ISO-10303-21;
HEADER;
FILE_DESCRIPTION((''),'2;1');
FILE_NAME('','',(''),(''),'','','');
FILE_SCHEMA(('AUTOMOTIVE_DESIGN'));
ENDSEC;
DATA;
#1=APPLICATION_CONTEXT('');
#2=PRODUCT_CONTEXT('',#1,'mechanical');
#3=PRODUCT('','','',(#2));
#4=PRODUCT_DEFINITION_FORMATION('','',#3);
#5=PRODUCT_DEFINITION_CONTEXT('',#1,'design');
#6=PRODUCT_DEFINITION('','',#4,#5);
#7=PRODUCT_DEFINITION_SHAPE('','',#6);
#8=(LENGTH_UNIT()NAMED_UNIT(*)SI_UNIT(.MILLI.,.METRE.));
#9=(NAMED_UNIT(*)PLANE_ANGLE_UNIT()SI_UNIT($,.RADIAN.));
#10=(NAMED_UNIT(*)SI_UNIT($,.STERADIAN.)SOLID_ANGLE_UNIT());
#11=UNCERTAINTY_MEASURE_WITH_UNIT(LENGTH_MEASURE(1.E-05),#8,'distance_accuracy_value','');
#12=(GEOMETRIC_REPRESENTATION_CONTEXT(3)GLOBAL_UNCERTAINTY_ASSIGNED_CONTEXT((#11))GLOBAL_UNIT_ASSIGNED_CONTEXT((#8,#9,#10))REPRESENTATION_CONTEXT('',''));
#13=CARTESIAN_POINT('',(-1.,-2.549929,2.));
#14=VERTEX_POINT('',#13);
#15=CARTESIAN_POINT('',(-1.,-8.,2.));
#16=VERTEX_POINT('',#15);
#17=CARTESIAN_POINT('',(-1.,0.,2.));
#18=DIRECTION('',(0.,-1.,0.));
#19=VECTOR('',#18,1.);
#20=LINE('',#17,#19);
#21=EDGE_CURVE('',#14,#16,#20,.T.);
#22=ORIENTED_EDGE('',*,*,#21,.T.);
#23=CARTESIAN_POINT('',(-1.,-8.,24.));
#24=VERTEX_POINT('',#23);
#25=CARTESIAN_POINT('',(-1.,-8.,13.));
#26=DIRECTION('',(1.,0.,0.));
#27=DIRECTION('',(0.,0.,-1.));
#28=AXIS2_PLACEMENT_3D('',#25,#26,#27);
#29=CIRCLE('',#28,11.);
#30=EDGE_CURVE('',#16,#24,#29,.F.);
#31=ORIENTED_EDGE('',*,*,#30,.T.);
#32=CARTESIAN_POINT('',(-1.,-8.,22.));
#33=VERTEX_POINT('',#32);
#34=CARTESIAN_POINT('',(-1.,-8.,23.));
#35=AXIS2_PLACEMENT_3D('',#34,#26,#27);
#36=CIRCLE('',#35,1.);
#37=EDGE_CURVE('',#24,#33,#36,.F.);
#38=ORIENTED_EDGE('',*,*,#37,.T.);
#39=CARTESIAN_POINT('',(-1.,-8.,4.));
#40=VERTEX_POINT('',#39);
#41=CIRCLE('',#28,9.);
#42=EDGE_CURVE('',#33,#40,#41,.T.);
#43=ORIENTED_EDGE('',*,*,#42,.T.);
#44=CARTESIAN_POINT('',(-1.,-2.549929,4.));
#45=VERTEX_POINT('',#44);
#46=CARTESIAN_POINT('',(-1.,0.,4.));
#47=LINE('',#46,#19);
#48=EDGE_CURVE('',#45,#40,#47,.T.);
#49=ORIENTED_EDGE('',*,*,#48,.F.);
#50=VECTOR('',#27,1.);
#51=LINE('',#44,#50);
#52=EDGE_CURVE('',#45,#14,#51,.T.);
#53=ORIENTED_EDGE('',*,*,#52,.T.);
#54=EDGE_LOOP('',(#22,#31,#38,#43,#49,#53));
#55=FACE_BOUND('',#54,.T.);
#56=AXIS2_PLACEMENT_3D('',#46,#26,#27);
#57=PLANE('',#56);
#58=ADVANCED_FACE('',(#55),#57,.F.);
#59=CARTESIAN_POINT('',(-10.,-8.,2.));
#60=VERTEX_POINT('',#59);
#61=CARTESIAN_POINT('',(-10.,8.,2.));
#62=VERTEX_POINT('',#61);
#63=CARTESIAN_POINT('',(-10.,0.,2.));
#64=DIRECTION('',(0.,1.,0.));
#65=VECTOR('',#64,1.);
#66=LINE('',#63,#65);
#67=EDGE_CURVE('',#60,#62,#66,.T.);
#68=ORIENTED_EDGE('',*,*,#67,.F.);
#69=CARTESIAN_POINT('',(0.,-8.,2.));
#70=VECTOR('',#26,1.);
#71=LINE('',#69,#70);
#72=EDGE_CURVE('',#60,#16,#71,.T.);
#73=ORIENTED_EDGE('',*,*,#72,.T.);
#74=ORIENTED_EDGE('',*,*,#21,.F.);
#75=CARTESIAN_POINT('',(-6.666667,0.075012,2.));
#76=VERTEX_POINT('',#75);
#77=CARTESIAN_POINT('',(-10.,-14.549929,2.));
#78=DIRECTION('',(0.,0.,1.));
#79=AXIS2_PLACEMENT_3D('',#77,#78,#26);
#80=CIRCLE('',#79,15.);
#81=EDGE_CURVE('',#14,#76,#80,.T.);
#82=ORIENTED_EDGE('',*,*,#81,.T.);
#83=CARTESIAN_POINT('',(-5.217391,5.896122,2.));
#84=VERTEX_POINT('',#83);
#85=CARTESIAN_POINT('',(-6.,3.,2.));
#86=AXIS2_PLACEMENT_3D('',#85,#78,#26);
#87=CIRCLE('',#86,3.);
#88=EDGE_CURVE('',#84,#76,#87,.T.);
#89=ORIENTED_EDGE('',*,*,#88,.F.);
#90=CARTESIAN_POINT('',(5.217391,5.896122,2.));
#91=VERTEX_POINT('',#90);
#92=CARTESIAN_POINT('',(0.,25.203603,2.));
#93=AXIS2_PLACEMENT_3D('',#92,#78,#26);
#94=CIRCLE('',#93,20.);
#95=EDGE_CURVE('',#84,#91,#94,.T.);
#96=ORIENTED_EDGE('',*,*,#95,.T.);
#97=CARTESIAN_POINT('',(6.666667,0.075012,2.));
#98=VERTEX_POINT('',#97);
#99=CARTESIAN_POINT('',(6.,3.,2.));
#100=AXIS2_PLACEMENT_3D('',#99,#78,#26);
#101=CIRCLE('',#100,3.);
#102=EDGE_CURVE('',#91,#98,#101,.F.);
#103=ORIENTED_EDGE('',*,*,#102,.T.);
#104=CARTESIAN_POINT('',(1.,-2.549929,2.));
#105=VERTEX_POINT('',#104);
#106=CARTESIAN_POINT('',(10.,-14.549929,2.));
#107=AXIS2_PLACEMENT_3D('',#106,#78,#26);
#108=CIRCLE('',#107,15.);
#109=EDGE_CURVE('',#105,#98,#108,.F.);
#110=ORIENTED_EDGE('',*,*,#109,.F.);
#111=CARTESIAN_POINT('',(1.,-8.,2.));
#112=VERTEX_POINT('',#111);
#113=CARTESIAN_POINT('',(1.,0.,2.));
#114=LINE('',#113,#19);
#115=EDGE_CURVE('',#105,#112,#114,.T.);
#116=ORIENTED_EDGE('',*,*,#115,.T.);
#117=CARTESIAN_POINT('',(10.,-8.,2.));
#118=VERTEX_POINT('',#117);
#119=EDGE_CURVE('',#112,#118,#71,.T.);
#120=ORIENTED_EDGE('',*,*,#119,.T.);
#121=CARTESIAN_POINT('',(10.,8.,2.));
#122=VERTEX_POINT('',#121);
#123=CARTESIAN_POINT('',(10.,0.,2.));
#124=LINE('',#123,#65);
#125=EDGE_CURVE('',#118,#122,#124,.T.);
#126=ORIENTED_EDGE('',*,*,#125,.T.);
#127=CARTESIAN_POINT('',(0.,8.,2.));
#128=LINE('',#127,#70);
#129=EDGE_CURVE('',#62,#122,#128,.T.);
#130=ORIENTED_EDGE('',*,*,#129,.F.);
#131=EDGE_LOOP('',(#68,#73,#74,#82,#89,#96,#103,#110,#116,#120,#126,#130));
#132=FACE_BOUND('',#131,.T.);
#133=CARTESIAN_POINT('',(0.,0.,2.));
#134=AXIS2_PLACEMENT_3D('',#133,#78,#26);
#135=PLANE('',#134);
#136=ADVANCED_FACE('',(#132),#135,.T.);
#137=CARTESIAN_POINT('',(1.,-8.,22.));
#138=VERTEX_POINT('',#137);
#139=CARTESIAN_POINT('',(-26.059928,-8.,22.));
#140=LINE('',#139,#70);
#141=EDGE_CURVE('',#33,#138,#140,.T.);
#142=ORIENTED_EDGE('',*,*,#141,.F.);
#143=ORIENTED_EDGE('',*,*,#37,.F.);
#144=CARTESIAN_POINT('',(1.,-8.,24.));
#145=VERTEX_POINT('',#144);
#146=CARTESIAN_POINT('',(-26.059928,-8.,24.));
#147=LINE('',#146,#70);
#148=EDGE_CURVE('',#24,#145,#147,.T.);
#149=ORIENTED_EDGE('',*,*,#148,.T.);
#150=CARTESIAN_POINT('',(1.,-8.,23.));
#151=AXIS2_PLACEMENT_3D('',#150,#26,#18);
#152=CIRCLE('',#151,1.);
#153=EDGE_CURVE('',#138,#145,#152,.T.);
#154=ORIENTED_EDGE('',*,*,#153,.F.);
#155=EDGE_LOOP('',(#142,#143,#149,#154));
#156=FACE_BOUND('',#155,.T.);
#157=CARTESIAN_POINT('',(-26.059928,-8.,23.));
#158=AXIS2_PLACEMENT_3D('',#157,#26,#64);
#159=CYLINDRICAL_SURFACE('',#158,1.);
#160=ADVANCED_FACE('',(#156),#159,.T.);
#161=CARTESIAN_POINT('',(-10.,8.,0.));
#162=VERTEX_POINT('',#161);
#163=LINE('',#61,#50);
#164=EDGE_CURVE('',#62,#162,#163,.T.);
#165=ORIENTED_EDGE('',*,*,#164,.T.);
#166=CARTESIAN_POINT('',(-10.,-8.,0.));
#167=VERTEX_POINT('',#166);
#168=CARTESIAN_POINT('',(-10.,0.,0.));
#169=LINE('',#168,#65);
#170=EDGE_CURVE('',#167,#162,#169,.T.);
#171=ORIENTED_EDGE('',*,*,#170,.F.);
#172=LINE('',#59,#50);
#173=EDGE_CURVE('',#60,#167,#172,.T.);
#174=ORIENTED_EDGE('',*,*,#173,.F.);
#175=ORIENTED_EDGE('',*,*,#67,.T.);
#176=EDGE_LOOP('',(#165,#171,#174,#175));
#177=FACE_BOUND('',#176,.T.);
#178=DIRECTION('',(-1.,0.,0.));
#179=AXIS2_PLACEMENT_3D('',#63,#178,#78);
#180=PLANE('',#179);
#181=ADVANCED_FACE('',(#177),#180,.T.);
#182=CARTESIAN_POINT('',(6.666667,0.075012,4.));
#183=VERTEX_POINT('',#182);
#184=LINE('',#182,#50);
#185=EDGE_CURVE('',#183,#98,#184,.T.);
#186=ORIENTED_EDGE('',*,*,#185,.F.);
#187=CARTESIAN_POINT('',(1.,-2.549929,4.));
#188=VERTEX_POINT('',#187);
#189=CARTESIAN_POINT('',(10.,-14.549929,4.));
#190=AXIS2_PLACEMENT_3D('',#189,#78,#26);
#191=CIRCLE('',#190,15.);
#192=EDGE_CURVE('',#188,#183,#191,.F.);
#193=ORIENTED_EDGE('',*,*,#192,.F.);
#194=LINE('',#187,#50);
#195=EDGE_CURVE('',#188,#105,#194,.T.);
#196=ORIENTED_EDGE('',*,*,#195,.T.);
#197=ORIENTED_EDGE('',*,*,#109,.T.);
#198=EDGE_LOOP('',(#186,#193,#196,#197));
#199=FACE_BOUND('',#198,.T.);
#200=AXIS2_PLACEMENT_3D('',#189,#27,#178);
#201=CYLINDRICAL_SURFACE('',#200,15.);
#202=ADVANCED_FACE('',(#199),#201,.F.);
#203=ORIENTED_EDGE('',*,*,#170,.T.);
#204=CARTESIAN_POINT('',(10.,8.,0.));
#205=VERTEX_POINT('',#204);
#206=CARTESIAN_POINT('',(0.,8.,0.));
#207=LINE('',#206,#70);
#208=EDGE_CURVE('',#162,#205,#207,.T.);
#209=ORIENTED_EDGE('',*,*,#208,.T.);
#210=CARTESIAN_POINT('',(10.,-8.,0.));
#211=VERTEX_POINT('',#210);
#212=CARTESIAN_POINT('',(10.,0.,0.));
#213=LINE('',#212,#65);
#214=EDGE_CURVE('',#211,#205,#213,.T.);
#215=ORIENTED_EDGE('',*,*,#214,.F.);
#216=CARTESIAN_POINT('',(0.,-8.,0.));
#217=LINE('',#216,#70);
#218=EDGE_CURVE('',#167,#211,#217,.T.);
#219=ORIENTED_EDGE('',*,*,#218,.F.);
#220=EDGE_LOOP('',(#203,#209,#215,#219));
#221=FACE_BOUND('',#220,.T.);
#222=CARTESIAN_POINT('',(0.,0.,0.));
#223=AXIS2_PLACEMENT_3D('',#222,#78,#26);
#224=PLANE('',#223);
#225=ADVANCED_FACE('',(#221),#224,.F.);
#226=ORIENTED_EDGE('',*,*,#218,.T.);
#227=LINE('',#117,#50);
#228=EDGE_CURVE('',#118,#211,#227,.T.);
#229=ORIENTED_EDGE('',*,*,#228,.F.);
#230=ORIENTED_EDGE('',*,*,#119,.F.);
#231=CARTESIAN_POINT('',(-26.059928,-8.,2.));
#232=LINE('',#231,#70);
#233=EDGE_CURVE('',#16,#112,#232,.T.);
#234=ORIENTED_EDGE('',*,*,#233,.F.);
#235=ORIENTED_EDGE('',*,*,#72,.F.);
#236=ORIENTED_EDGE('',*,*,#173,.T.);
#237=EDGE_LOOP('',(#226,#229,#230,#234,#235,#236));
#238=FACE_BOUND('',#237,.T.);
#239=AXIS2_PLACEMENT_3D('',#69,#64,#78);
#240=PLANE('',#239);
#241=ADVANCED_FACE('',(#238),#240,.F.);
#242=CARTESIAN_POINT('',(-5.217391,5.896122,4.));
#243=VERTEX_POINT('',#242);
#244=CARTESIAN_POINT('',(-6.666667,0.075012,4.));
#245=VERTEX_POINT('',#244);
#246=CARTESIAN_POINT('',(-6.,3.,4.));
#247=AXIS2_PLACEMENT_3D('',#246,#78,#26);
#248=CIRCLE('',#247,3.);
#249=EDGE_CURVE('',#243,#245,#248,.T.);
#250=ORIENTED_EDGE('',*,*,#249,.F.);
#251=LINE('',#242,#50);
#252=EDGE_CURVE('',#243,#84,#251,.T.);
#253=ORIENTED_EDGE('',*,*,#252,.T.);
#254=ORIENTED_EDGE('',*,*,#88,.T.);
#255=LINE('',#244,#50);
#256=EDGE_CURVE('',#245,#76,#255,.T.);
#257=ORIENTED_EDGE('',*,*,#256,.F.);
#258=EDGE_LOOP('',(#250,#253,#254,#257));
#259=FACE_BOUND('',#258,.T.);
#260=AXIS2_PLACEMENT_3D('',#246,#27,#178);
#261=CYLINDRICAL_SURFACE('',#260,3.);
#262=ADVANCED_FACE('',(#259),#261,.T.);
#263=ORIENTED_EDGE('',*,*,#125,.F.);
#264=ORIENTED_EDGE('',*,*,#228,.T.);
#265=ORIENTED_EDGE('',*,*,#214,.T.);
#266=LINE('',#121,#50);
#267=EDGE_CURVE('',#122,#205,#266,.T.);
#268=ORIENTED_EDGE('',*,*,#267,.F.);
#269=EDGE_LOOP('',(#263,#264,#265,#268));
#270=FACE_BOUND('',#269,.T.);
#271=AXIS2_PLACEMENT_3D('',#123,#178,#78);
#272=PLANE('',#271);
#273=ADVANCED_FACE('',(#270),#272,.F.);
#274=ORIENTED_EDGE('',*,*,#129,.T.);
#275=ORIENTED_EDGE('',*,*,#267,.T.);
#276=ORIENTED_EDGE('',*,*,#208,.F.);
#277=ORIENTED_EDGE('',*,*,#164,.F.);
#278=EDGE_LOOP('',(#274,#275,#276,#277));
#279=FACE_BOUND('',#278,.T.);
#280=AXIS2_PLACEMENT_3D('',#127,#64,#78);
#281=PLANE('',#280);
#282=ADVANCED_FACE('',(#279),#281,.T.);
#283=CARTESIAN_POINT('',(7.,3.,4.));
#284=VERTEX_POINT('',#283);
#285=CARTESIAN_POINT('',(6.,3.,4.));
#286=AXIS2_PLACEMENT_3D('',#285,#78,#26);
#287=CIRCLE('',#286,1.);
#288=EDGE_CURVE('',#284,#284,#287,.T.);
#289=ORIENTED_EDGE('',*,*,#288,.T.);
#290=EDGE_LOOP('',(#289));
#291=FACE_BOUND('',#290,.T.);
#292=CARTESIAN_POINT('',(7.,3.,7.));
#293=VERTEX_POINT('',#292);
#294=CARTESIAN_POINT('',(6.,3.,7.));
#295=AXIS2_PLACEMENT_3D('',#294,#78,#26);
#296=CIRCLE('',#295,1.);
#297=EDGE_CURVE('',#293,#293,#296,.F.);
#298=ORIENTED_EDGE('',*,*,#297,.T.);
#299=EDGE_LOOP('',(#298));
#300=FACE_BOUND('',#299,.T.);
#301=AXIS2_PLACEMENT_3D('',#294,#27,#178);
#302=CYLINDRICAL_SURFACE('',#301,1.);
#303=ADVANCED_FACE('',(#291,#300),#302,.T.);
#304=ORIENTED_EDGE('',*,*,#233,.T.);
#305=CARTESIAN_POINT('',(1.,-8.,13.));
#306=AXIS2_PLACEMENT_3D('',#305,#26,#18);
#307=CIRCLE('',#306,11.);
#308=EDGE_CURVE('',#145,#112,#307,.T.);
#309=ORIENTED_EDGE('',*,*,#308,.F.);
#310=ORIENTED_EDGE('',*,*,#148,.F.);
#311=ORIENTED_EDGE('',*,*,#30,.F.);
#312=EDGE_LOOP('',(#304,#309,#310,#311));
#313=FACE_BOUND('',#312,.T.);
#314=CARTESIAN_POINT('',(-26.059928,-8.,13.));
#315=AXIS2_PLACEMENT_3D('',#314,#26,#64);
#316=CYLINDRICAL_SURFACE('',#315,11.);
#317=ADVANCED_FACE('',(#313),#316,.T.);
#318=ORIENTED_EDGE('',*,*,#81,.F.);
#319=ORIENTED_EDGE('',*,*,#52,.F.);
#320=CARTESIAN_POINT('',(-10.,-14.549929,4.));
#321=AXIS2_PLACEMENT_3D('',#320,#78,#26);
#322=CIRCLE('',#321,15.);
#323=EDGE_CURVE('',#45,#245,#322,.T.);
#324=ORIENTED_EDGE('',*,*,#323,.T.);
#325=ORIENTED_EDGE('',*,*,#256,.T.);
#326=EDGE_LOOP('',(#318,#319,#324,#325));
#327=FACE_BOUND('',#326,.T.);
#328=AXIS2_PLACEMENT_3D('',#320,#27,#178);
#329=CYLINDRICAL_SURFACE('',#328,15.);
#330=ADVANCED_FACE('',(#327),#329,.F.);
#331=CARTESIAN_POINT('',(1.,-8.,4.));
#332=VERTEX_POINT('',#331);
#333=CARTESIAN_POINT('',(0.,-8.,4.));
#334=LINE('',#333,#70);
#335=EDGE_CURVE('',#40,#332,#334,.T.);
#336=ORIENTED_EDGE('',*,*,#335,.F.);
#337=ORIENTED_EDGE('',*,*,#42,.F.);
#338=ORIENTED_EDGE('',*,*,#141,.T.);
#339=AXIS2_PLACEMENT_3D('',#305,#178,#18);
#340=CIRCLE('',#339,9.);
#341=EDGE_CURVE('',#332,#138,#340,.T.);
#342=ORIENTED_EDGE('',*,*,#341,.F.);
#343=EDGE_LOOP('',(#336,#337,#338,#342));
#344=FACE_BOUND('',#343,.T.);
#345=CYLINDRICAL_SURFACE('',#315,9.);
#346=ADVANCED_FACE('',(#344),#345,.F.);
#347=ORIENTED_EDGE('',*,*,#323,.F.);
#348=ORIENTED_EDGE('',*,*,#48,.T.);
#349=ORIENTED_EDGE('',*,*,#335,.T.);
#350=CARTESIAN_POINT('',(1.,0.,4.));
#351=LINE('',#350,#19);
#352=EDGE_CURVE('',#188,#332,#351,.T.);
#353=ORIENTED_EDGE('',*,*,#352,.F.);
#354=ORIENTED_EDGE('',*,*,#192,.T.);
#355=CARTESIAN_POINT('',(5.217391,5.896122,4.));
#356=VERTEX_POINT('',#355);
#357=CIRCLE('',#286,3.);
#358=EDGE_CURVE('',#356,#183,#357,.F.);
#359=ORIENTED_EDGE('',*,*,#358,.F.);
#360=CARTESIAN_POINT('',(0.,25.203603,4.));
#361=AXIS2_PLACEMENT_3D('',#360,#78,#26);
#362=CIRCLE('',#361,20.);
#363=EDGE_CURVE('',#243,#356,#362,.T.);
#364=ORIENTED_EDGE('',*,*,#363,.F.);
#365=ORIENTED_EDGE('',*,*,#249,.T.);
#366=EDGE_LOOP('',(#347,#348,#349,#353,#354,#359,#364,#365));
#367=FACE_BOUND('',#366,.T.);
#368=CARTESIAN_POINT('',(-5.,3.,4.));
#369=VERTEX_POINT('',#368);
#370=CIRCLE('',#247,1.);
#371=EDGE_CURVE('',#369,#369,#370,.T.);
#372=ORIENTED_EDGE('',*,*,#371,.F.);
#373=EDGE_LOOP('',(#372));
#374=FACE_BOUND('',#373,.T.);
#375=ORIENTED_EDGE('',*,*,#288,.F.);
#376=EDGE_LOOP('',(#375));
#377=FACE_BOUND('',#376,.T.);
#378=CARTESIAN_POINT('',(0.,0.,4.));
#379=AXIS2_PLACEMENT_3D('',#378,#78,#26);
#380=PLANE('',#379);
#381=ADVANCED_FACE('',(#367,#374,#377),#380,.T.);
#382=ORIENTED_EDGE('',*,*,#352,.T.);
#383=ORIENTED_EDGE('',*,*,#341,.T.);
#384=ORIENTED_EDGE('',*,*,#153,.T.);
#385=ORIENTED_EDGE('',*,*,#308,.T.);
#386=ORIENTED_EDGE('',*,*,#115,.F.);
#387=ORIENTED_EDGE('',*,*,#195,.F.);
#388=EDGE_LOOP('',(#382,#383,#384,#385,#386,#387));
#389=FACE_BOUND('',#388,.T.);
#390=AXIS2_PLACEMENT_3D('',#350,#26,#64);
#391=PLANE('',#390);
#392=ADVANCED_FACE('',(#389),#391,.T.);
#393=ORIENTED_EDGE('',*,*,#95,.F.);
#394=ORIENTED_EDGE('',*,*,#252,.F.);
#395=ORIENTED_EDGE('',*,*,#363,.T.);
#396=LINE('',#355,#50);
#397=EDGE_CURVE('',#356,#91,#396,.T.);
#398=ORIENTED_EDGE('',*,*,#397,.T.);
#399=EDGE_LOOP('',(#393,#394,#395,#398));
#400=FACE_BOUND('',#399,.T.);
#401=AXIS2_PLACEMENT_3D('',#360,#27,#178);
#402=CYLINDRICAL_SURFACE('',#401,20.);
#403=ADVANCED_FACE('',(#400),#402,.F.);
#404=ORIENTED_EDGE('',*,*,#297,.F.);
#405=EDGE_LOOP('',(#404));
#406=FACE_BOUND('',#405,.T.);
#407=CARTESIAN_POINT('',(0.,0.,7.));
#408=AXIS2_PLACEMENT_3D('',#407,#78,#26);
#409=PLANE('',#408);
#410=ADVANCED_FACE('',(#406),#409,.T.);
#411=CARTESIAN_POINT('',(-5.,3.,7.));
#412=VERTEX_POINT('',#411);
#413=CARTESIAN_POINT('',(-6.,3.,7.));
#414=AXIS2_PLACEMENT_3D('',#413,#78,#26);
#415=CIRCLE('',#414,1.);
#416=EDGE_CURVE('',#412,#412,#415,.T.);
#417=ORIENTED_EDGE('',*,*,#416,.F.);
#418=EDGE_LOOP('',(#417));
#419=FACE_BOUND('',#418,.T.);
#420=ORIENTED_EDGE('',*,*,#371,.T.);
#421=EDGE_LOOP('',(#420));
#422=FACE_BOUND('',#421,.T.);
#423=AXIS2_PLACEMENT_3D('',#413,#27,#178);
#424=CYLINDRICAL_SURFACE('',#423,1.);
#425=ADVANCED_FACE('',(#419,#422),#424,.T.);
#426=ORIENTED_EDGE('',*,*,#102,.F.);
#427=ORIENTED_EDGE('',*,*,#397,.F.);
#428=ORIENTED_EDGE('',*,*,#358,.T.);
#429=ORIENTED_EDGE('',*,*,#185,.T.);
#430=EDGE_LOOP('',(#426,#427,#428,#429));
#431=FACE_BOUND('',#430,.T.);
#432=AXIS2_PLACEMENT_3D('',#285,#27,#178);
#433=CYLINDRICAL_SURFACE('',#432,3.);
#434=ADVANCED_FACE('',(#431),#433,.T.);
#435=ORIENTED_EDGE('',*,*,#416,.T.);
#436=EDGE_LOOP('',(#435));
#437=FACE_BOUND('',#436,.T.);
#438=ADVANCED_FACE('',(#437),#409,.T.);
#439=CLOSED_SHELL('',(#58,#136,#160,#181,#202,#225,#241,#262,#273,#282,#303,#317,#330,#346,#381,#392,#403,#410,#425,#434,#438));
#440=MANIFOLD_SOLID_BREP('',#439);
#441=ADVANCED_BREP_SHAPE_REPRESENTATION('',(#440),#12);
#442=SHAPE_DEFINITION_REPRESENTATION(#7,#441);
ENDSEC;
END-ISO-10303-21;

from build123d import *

# Parameters (mm, degrees)
BOSS_EXTRUDE1_DEPTH = 2
SKETCH1_4_R         = 1
BOSS_EXTRUDE2_DEPTH = 4
SKETCH1_6_R         = 1
BOSS_EXTRUDE3_DEPTH = 7
BOSS_EXTRUDE4_DEPTH = 2


with BuildPart() as part:
    # Sketch1 → Boss-Extrude1 (new body)
    with BuildSketch(Plane.XY):
        with BuildLine():
            Line((-10, 8), (-10, -8))
            Line((-10, -8), (-1, -8))
            Line((-1, -8), (-1, -2.549928775))
            ThreePointArc((-1, -2.549928775), (-3.695211651, -0.939284269), (-6.666666667, 0.075011871))
            ThreePointArc((-6.666666667, 0.075011871), (-8.911132412, 3.724781401), (-5.217391304, 5.896122171))
            ThreePointArc((-5.217391304, 5.896122171), (0, 5.203603311), (5.217391304, 5.896122171))
            ThreePointArc((5.217391304, 5.896122171), (8.911132412, 3.724781401), (6.666666667, 0.075011871))
            ThreePointArc((6.666666667, 0.075011871), (3.695211651, -0.939284269), (1, -2.549928775))
            Line((1, -2.549928775), (1, -8))
            Line((1, -8), (10, -8))
            Line((10, -8), (10, 8))
            Line((10, 8), (-10, 8))
        make_face()
    extrude(amount=BOSS_EXTRUDE1_DEPTH)

    # Sketch1<4> → Boss-Extrude2 (add)
    with BuildSketch(Plane.XY):
        with BuildLine():
            Line((-1, -2.549928775), (-1, -8))
            Line((-1, -8), (1, -8))
            Line((1, -8), (1, -2.549928775))
            ThreePointArc((1, -2.549928775), (3.695211651, -0.939284269), (6.666666667, 0.075011871))
            ThreePointArc((6.666666667, 0.075011871), (8.911132412, 3.724781401), (5.217391304, 5.896122171))
            ThreePointArc((5.217391304, 5.896122171), (0, 5.203603311), (-5.217391304, 5.896122171))
            ThreePointArc((-5.217391304, 5.896122171), (-8.911132412, 3.724781401), (-6.666666667, 0.075011871))
            ThreePointArc((-6.666666667, 0.075011871), (-3.695211651, -0.939284269), (-1, -2.549928775))
        make_face()
        with Locations((-6, 3)):
            Circle(SKETCH1_4_R, mode=Mode.SUBTRACT)
        with Locations((6, 3)):
            Circle(SKETCH1_4_R, mode=Mode.SUBTRACT)
    extrude(amount=BOSS_EXTRUDE2_DEPTH)

    # Sketch1<6> → Boss-Extrude3 (add)
    with BuildSketch(Plane.XY):
        with Locations((-6, 3)):
            Circle(SKETCH1_6_R)
        with Locations((6, 3)):
            Circle(SKETCH1_6_R)
    extrude(amount=BOSS_EXTRUDE3_DEPTH)

    # Sketch2 → Boss-Extrude4 (add)
    with BuildSketch(Plane(origin=(1, 0, 0), x_dir=(0, 0, -1), z_dir=(1, 0, 0))):
        with BuildLine():
            Line((-2, -8), (-4, -8))
            ThreePointArc((-4, -8), (-13, -17), (-22, -8))
            ThreePointArc((-22, -8), (-23, -7), (-24, -8))
            ThreePointArc((-24, -8), (-13, -19), (-2, -8))
        make_face()
    extrude(amount=-BOSS_EXTRUDE4_DEPTH)


solid = part.part
